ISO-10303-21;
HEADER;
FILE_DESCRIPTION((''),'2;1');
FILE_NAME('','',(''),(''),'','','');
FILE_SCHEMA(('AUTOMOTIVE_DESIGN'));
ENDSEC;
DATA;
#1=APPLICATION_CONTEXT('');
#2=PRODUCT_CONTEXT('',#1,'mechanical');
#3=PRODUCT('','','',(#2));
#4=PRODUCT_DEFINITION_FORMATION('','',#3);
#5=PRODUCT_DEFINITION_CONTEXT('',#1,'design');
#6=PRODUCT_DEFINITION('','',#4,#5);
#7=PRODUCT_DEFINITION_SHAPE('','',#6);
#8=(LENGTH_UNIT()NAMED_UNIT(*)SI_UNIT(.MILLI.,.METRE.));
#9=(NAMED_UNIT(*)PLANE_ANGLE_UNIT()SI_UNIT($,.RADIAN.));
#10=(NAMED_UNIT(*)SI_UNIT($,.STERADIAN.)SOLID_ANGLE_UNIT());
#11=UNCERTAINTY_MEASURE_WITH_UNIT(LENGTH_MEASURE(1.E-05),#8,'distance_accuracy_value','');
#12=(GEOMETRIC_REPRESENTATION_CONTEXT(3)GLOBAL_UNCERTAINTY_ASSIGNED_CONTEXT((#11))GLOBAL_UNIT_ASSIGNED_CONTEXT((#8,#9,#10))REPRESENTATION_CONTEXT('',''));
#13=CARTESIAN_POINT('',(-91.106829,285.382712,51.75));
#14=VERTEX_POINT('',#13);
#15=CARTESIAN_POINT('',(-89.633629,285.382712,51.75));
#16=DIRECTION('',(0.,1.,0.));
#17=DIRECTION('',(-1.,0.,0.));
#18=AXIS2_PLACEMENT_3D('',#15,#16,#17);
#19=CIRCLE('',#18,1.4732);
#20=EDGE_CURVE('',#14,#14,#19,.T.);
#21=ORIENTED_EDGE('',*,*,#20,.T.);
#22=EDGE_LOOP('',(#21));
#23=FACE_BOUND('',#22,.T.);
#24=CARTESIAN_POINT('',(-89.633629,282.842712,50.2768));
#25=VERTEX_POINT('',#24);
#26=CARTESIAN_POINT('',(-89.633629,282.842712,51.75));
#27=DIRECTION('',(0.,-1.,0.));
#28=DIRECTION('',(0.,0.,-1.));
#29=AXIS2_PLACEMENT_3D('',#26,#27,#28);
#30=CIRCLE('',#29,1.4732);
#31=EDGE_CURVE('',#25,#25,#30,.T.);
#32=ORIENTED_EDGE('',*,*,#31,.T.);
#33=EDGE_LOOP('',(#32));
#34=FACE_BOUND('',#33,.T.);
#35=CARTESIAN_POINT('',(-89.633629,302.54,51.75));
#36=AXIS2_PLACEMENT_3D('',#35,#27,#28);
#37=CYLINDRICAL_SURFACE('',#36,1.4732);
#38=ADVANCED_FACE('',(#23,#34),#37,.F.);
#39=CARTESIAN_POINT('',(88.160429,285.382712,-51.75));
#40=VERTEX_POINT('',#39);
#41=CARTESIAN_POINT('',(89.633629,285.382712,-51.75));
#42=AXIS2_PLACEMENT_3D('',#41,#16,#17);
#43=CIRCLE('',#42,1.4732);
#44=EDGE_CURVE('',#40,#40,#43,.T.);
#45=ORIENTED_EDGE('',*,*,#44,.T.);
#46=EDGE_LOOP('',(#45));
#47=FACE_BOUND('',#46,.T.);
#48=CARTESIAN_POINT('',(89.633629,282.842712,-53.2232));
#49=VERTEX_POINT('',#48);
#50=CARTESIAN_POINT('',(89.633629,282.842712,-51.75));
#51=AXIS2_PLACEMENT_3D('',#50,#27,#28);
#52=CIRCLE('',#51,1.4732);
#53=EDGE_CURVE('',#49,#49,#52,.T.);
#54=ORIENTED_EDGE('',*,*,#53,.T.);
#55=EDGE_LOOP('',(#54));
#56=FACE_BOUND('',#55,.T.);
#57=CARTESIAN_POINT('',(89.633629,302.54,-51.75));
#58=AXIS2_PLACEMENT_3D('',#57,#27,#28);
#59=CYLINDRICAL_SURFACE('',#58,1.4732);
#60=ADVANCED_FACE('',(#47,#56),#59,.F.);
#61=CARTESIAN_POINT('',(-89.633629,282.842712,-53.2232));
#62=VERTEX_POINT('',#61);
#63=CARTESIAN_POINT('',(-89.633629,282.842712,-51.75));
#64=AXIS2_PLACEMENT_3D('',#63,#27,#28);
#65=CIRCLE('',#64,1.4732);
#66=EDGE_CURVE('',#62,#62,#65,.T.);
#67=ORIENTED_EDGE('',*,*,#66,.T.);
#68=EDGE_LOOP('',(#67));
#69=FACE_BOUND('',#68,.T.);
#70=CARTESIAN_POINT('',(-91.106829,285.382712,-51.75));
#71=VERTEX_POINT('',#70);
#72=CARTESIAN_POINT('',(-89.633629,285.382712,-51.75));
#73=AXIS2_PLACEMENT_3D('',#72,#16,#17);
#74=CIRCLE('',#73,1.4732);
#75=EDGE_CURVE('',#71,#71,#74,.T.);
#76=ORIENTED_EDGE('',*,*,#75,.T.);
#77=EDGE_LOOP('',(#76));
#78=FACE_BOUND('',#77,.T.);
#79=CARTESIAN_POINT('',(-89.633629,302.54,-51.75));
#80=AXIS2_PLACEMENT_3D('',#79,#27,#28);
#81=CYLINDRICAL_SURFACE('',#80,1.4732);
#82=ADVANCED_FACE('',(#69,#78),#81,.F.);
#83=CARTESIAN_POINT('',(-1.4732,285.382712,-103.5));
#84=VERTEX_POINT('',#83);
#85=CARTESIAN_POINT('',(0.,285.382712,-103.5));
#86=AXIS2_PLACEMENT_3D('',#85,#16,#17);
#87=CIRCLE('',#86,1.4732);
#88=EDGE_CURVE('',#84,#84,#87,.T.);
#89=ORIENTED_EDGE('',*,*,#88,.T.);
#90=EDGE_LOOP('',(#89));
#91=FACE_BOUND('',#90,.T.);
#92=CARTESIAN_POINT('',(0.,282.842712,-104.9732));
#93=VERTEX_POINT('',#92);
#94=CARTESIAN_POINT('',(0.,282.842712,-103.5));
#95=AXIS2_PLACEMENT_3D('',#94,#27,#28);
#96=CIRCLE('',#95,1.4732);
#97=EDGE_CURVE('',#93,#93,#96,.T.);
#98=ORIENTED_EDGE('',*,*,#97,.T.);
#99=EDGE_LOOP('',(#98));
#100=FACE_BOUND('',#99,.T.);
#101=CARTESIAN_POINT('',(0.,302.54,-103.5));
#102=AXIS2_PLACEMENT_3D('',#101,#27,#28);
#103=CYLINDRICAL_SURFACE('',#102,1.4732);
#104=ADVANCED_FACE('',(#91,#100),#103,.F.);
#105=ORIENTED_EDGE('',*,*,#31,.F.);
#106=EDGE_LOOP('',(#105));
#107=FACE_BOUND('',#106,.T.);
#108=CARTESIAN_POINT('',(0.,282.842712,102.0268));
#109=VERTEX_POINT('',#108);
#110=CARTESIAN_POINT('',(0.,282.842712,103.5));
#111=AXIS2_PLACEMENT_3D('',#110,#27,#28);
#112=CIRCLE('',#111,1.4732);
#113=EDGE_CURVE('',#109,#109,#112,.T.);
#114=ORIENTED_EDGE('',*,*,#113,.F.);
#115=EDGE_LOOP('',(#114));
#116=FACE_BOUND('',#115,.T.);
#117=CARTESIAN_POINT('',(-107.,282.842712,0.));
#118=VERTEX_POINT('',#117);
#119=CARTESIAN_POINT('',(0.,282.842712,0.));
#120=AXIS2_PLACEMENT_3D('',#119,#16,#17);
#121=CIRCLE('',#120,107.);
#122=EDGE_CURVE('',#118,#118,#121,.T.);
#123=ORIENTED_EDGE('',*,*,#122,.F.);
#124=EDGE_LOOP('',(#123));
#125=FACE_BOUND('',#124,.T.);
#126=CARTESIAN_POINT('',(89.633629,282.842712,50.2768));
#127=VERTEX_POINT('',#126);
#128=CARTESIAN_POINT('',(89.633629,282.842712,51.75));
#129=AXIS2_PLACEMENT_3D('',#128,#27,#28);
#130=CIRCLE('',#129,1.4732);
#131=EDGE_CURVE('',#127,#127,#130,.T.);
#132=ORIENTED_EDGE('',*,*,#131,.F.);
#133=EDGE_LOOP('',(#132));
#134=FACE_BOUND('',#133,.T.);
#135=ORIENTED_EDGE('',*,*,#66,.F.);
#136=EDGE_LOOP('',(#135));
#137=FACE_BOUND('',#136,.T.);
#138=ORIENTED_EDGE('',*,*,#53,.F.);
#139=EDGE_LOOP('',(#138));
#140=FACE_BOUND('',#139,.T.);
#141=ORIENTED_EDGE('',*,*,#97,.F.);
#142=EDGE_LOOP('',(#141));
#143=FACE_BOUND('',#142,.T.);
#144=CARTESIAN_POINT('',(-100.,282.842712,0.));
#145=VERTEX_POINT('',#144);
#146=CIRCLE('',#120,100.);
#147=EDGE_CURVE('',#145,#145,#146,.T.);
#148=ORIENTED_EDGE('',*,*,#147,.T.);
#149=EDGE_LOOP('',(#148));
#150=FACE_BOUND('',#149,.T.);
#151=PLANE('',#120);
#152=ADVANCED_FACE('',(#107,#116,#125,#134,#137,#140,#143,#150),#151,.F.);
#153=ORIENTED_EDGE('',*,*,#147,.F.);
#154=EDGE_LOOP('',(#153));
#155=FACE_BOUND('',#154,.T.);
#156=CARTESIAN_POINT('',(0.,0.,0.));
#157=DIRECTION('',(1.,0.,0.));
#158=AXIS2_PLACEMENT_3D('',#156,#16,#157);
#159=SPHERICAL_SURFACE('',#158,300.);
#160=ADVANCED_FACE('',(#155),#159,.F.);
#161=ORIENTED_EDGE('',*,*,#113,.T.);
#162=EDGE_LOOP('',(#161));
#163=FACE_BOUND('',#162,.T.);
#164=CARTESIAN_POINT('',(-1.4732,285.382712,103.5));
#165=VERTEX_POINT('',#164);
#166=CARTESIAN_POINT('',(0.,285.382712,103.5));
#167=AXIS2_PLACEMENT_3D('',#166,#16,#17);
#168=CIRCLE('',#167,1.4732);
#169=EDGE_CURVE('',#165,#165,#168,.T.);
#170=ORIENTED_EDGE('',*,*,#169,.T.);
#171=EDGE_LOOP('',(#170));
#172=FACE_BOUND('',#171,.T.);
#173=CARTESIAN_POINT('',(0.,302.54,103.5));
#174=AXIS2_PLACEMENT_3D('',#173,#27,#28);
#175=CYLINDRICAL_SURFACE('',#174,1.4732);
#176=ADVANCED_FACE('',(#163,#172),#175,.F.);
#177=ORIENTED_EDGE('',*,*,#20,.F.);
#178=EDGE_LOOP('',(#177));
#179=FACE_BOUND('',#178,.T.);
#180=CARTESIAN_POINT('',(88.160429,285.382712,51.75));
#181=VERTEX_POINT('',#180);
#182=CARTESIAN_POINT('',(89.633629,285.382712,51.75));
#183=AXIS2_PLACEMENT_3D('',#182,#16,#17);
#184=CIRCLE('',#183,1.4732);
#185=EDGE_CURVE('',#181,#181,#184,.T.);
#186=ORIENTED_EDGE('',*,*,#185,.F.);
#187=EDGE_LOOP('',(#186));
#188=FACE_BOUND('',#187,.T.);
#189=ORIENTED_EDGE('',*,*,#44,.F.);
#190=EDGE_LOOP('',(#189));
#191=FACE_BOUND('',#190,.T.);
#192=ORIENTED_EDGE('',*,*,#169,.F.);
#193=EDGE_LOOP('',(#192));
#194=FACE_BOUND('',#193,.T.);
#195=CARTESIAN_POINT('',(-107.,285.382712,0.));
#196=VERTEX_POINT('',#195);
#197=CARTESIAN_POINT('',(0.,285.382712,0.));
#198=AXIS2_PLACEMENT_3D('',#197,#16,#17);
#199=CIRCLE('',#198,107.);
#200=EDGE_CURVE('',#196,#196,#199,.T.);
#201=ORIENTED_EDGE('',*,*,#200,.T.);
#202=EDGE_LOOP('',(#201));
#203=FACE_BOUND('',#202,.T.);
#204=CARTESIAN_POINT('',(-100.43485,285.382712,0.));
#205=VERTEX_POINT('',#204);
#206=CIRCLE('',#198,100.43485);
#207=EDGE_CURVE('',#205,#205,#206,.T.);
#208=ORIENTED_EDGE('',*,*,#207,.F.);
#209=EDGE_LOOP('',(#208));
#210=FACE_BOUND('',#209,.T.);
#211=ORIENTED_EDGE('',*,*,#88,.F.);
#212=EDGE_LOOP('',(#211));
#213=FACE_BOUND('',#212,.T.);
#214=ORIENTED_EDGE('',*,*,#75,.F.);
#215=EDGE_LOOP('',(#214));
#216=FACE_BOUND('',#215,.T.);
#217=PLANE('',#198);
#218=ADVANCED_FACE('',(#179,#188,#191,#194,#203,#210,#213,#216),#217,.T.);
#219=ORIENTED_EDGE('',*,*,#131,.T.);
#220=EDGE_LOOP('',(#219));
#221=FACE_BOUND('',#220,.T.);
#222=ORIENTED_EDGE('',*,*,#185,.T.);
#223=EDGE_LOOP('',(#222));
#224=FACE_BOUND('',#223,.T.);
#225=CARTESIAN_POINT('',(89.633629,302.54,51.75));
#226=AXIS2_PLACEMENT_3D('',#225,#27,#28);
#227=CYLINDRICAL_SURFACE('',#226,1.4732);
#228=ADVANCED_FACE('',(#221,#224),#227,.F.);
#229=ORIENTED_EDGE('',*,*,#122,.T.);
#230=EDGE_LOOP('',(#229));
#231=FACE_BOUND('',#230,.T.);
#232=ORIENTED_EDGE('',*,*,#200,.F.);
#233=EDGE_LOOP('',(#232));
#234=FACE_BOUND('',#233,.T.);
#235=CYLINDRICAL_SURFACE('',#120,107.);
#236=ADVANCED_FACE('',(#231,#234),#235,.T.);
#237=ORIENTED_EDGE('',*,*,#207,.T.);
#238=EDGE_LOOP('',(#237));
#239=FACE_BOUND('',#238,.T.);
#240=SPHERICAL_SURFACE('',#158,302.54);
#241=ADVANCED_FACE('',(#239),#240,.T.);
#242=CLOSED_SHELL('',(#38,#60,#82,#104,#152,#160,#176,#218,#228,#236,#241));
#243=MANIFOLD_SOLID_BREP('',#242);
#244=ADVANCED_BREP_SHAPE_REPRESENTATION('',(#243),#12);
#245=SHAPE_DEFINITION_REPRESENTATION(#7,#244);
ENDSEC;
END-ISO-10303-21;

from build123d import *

# Parameters (mm, degrees)
SKETCH4_R          = 1.4732
CUT_EXTRUDE1_DEPTH = 153.597454552


with BuildPart() as part:
    # Sketch1 → Revolve1 (revolve)
    with BuildSketch(Plane.XY):
        with BuildLine():
            ThreePointArc((100.434849632, 285.382712475), (50.944900471, 298.219832868), (0, 302.54))
            Line((0, 302.54), (0, 300))
            ThreePointArc((0, 300), (50.730593618, 295.679567896), (100, 282.842712475))
            Line((100, 282.842712475), (107, 282.842712475))
            Line((107, 282.842712475), (107, 285.382712475))
            Line((107, 285.382712475), (100.434849632, 285.382712475))
        make_face()
    revolve(axis=Axis((0, 282.842712475, 0), (0, -1, 0)))

    # Sketch4 → Cut-Extrude1 (cut, through all)
    with BuildSketch(Plane.XZ.offset(-282.842712475)):
        with Locations((0, 103.5)):
            Circle(SKETCH4_R)
        with Locations((89.633629292, 51.75)):
            Circle(SKETCH4_R)
        with Locations((89.633629292, -51.75)):
            Circle(SKETCH4_R)
        with Locations((0, -103.5)):
            Circle(SKETCH4_R)
        with Locations((-89.633629292, -51.75)):
            Circle(SKETCH4_R)
        with Locations((-89.633629292, 51.75)):
            Circle(SKETCH4_R)
    extrude(amount=-CUT_EXTRUDE1_DEPTH, mode=Mode.SUBTRACT)


solid = part.part
